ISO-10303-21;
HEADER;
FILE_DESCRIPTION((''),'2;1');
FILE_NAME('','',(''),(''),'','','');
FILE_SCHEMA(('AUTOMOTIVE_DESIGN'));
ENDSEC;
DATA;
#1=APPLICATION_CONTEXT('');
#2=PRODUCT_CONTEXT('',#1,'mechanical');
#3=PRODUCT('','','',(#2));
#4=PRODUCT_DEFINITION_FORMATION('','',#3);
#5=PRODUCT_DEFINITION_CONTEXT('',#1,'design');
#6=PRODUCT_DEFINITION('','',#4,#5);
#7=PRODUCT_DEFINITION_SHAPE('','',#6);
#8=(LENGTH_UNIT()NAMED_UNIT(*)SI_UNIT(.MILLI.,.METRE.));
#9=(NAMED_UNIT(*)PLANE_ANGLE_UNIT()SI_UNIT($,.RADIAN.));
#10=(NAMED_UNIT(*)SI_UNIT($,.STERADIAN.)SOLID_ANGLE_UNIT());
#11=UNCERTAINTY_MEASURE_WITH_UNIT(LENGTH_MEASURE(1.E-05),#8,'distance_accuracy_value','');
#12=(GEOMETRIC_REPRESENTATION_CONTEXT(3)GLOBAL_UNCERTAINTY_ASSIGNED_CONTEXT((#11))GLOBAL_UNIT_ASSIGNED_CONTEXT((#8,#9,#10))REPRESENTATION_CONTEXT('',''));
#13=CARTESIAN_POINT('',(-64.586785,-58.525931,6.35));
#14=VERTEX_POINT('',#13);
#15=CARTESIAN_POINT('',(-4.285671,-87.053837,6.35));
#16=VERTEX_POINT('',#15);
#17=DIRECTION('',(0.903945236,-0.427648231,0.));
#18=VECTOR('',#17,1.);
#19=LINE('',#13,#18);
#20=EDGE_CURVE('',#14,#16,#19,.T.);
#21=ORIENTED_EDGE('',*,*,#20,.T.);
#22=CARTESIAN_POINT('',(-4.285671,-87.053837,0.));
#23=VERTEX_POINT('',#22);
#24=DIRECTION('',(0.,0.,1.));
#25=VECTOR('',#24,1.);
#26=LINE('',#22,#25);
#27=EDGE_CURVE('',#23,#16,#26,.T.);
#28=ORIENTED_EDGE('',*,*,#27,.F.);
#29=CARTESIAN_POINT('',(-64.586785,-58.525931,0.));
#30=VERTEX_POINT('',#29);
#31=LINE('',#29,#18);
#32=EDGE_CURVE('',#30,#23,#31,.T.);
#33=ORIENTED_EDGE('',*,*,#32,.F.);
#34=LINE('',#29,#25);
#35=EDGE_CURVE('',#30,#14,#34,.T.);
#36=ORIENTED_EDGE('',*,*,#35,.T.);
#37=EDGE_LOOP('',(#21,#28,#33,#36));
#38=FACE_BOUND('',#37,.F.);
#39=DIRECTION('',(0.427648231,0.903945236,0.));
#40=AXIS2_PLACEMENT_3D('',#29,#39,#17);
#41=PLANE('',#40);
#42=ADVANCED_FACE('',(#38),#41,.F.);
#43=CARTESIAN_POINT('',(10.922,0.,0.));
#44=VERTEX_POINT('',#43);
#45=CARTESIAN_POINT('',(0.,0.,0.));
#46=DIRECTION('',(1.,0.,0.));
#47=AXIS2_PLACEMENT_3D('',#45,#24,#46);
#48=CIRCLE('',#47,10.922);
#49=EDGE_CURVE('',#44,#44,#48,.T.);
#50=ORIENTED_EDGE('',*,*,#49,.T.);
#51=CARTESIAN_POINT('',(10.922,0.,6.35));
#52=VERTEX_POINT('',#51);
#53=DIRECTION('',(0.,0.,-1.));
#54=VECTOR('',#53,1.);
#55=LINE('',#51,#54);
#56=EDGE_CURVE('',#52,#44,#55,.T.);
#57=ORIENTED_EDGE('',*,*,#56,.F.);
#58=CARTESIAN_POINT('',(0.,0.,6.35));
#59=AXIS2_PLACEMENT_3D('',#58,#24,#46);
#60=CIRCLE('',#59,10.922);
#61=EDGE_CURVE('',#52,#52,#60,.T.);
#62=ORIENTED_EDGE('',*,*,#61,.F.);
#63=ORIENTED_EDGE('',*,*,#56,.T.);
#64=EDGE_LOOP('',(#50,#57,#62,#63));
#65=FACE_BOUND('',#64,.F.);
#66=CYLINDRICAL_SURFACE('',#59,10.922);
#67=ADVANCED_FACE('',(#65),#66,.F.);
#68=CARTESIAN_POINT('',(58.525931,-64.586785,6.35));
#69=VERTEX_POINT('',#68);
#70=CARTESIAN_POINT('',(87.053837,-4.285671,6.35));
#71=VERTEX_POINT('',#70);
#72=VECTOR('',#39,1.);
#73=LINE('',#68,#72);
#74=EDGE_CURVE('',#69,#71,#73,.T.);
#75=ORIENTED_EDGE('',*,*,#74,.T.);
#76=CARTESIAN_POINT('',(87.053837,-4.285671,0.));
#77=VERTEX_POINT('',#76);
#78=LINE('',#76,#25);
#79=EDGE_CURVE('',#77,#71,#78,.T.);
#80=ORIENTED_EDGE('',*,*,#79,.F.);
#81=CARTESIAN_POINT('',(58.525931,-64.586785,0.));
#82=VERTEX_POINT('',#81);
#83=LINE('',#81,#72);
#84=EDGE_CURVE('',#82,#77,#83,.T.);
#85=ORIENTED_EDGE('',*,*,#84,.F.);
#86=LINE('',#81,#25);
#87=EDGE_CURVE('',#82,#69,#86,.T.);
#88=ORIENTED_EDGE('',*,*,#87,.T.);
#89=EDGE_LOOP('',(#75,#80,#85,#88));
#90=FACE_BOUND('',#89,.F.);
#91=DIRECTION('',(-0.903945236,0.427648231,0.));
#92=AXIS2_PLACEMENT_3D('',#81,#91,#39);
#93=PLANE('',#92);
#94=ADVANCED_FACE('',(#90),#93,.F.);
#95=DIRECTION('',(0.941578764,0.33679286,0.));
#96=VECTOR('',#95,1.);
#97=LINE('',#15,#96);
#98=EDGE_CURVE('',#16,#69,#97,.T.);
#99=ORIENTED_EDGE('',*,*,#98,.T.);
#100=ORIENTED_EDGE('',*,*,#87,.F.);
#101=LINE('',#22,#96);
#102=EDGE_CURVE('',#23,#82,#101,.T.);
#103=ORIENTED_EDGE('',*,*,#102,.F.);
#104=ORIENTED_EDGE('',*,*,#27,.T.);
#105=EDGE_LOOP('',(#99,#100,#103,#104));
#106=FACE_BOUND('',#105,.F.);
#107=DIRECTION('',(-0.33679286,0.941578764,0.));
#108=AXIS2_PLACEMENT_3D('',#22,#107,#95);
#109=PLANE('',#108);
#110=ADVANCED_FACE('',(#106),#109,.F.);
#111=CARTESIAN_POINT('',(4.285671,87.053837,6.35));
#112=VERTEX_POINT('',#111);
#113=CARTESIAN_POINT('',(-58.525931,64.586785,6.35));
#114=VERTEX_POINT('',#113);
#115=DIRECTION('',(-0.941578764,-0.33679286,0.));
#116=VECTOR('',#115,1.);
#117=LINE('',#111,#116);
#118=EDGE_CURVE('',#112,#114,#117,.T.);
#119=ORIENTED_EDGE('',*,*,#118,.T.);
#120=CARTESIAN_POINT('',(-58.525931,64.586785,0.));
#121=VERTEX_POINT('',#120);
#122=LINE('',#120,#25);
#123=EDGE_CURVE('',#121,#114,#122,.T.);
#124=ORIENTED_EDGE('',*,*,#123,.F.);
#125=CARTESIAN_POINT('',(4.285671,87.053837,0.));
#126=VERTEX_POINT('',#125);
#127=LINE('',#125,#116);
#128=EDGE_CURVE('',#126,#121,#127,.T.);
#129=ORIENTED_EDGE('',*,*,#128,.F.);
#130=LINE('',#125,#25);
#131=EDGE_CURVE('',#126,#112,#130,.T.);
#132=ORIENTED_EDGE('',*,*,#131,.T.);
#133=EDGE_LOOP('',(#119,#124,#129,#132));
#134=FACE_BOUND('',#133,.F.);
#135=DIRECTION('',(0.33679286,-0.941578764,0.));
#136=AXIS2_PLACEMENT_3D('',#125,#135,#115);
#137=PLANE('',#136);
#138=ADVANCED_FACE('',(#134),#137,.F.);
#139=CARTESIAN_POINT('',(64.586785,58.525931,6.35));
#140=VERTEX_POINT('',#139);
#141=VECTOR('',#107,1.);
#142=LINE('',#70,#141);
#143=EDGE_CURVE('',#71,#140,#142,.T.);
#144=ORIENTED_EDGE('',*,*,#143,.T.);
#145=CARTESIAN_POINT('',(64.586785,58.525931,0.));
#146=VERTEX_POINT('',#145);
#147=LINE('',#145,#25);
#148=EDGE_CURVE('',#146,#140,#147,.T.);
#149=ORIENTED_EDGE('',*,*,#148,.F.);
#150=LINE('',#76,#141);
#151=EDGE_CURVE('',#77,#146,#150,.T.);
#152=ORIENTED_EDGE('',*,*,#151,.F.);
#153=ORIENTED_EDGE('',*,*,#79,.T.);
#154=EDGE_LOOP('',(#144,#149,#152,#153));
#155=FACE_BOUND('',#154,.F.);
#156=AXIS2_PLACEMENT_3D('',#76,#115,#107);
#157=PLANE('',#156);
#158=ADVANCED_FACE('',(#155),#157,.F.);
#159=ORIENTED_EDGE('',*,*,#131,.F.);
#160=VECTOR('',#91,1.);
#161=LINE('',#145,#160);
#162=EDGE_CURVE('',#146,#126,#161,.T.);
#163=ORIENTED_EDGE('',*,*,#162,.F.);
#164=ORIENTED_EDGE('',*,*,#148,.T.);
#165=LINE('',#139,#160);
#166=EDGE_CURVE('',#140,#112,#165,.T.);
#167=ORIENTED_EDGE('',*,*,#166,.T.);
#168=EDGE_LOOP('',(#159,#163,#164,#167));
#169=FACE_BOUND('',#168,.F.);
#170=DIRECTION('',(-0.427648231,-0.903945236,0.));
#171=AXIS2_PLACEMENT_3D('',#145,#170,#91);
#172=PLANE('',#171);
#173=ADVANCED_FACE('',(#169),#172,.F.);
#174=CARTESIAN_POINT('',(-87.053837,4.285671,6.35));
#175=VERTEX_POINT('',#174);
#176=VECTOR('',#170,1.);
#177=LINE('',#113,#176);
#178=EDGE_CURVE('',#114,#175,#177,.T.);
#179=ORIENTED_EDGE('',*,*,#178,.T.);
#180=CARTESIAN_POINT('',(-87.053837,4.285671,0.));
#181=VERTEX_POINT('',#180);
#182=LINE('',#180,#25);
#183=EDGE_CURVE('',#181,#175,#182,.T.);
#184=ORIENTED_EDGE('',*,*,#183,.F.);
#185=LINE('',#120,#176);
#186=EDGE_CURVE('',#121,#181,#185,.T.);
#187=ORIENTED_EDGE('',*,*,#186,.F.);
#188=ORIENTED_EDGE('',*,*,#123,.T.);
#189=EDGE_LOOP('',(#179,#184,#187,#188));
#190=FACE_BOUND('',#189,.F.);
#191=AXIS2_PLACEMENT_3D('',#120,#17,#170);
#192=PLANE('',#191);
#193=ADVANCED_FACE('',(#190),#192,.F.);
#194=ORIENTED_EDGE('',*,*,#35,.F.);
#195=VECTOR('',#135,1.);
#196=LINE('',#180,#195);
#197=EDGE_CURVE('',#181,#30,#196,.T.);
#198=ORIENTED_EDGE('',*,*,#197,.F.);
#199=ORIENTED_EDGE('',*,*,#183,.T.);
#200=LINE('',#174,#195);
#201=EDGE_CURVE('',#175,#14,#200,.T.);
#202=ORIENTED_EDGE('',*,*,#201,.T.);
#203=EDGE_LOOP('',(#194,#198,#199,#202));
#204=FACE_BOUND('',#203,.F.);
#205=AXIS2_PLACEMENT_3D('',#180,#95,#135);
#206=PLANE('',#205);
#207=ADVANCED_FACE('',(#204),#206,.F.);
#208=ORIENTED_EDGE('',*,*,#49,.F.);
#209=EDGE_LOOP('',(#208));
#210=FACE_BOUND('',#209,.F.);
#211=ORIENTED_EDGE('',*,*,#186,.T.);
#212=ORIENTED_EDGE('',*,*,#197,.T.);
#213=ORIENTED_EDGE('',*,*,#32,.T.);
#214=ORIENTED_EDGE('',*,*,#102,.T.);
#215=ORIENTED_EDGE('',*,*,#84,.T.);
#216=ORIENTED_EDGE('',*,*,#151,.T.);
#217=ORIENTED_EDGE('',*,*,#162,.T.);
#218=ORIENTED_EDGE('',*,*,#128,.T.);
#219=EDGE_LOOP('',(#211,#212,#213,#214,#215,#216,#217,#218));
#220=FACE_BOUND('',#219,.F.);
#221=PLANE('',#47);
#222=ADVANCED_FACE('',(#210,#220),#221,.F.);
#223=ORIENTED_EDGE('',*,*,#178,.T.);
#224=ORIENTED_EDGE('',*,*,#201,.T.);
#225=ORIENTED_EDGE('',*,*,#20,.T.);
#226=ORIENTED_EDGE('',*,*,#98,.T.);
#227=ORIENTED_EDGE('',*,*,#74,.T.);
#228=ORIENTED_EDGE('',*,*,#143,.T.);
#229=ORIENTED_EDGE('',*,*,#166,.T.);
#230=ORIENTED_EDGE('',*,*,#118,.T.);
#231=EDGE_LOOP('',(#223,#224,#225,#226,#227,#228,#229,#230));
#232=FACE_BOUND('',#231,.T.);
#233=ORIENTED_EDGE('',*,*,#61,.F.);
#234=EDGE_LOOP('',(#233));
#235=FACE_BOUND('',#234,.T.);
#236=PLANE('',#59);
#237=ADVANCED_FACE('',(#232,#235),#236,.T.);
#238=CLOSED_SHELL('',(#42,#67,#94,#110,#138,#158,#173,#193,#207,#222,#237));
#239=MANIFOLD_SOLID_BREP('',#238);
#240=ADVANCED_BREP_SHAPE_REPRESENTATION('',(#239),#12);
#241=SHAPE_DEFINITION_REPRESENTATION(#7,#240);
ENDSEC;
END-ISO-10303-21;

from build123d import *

# Parameters (mm, degrees)
F1_DEPTH = 6.35
F2_R     = 10.922
F3_DEPTH = 25.4


with BuildPart() as f1:
    # F0 (on Top) → F1 (new body)
    with BuildSketch(Plane.XY):
        Polygon((-58.525931, 64.586785), (-87.053837, 4.285671), (-64.586785, -58.525931), (-4.285671, -87.053837), (58.525931, -64.586785), (87.053837, -4.285671), (64.586785, 58.525931), (4.285671, 87.053837), align=None)
    extrude(amount=F1_DEPTH)

    # F2 (on face) → F3 (cut)
    with BuildSketch(Plane.XY.offset(6.35)):
        Circle(F2_R)
    extrude(amount=-F3_DEPTH, mode=Mode.SUBTRACT)


solid = f1.part
